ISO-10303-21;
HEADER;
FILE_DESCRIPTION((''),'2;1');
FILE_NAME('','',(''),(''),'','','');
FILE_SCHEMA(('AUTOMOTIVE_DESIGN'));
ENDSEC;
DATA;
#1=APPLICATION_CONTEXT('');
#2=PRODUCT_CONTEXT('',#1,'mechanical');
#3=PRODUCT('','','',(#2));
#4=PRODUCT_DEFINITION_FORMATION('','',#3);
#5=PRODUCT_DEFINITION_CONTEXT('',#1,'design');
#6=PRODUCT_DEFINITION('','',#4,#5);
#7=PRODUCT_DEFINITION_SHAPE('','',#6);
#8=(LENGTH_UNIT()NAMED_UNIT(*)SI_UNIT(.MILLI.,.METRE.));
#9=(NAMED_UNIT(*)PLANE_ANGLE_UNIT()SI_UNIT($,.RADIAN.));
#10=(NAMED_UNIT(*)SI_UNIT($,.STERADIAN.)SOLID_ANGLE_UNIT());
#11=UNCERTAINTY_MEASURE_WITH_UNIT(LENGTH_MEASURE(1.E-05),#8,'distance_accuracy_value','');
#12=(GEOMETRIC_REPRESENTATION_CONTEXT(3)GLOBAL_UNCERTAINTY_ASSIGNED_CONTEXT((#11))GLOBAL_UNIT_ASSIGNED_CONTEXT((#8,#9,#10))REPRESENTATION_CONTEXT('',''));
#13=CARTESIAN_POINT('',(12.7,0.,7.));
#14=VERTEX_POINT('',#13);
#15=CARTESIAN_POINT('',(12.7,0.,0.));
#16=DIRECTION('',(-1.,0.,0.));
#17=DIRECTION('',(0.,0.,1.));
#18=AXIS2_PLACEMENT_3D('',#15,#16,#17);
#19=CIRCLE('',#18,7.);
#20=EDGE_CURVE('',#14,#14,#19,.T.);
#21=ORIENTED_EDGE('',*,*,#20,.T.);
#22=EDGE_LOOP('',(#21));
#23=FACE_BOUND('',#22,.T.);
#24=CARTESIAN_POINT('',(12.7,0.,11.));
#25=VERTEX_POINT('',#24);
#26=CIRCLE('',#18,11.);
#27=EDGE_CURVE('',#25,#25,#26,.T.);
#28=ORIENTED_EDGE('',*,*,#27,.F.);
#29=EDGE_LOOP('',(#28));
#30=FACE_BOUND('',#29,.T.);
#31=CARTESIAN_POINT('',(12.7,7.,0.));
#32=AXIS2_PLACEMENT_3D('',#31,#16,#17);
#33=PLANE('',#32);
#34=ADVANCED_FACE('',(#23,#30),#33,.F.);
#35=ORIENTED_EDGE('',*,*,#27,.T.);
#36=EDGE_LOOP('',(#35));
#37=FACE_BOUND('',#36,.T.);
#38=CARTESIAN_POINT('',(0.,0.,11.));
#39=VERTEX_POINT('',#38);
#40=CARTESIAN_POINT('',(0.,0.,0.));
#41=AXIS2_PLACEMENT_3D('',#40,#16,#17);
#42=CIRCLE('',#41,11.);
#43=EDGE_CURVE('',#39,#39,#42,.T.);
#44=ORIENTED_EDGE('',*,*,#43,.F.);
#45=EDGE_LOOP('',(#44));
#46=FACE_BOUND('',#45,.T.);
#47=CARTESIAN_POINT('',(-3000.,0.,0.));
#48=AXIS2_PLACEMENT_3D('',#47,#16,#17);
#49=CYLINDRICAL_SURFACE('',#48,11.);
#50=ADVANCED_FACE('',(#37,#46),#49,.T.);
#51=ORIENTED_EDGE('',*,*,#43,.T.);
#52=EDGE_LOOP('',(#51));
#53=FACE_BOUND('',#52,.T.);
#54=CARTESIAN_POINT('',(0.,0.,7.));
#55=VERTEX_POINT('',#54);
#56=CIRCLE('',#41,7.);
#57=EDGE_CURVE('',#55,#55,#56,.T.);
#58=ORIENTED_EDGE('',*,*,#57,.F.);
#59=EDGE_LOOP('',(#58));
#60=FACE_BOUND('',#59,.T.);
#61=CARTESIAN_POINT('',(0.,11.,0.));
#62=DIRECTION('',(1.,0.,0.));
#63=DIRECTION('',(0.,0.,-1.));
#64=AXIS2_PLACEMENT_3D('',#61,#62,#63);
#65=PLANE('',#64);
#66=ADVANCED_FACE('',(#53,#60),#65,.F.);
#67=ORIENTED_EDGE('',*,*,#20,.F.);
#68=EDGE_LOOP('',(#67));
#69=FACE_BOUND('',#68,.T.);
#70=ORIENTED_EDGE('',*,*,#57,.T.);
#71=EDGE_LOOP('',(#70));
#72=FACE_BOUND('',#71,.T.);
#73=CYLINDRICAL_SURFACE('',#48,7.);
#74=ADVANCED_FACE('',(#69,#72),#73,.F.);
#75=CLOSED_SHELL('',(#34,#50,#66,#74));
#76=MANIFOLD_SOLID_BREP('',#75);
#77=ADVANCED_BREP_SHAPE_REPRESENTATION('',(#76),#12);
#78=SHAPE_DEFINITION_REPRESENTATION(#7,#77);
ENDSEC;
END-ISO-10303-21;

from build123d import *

# Parameters (mm, degrees)
LEG_SPRING_SKETCH_W = 12.7
LEG_SPRING_SKETCH_H = 4


with BuildPart() as part:
    # Leg_Spring Sketch → Leg_Spring (revolve)
    with BuildSketch(Plane.XY):
        with Locations((6.35, 9)):
            Rectangle(LEG_SPRING_SKETCH_W, LEG_SPRING_SKETCH_H)
    revolve(axis=Axis((-3000, 0, 0), (1, 0, 0)))


solid = part.part
